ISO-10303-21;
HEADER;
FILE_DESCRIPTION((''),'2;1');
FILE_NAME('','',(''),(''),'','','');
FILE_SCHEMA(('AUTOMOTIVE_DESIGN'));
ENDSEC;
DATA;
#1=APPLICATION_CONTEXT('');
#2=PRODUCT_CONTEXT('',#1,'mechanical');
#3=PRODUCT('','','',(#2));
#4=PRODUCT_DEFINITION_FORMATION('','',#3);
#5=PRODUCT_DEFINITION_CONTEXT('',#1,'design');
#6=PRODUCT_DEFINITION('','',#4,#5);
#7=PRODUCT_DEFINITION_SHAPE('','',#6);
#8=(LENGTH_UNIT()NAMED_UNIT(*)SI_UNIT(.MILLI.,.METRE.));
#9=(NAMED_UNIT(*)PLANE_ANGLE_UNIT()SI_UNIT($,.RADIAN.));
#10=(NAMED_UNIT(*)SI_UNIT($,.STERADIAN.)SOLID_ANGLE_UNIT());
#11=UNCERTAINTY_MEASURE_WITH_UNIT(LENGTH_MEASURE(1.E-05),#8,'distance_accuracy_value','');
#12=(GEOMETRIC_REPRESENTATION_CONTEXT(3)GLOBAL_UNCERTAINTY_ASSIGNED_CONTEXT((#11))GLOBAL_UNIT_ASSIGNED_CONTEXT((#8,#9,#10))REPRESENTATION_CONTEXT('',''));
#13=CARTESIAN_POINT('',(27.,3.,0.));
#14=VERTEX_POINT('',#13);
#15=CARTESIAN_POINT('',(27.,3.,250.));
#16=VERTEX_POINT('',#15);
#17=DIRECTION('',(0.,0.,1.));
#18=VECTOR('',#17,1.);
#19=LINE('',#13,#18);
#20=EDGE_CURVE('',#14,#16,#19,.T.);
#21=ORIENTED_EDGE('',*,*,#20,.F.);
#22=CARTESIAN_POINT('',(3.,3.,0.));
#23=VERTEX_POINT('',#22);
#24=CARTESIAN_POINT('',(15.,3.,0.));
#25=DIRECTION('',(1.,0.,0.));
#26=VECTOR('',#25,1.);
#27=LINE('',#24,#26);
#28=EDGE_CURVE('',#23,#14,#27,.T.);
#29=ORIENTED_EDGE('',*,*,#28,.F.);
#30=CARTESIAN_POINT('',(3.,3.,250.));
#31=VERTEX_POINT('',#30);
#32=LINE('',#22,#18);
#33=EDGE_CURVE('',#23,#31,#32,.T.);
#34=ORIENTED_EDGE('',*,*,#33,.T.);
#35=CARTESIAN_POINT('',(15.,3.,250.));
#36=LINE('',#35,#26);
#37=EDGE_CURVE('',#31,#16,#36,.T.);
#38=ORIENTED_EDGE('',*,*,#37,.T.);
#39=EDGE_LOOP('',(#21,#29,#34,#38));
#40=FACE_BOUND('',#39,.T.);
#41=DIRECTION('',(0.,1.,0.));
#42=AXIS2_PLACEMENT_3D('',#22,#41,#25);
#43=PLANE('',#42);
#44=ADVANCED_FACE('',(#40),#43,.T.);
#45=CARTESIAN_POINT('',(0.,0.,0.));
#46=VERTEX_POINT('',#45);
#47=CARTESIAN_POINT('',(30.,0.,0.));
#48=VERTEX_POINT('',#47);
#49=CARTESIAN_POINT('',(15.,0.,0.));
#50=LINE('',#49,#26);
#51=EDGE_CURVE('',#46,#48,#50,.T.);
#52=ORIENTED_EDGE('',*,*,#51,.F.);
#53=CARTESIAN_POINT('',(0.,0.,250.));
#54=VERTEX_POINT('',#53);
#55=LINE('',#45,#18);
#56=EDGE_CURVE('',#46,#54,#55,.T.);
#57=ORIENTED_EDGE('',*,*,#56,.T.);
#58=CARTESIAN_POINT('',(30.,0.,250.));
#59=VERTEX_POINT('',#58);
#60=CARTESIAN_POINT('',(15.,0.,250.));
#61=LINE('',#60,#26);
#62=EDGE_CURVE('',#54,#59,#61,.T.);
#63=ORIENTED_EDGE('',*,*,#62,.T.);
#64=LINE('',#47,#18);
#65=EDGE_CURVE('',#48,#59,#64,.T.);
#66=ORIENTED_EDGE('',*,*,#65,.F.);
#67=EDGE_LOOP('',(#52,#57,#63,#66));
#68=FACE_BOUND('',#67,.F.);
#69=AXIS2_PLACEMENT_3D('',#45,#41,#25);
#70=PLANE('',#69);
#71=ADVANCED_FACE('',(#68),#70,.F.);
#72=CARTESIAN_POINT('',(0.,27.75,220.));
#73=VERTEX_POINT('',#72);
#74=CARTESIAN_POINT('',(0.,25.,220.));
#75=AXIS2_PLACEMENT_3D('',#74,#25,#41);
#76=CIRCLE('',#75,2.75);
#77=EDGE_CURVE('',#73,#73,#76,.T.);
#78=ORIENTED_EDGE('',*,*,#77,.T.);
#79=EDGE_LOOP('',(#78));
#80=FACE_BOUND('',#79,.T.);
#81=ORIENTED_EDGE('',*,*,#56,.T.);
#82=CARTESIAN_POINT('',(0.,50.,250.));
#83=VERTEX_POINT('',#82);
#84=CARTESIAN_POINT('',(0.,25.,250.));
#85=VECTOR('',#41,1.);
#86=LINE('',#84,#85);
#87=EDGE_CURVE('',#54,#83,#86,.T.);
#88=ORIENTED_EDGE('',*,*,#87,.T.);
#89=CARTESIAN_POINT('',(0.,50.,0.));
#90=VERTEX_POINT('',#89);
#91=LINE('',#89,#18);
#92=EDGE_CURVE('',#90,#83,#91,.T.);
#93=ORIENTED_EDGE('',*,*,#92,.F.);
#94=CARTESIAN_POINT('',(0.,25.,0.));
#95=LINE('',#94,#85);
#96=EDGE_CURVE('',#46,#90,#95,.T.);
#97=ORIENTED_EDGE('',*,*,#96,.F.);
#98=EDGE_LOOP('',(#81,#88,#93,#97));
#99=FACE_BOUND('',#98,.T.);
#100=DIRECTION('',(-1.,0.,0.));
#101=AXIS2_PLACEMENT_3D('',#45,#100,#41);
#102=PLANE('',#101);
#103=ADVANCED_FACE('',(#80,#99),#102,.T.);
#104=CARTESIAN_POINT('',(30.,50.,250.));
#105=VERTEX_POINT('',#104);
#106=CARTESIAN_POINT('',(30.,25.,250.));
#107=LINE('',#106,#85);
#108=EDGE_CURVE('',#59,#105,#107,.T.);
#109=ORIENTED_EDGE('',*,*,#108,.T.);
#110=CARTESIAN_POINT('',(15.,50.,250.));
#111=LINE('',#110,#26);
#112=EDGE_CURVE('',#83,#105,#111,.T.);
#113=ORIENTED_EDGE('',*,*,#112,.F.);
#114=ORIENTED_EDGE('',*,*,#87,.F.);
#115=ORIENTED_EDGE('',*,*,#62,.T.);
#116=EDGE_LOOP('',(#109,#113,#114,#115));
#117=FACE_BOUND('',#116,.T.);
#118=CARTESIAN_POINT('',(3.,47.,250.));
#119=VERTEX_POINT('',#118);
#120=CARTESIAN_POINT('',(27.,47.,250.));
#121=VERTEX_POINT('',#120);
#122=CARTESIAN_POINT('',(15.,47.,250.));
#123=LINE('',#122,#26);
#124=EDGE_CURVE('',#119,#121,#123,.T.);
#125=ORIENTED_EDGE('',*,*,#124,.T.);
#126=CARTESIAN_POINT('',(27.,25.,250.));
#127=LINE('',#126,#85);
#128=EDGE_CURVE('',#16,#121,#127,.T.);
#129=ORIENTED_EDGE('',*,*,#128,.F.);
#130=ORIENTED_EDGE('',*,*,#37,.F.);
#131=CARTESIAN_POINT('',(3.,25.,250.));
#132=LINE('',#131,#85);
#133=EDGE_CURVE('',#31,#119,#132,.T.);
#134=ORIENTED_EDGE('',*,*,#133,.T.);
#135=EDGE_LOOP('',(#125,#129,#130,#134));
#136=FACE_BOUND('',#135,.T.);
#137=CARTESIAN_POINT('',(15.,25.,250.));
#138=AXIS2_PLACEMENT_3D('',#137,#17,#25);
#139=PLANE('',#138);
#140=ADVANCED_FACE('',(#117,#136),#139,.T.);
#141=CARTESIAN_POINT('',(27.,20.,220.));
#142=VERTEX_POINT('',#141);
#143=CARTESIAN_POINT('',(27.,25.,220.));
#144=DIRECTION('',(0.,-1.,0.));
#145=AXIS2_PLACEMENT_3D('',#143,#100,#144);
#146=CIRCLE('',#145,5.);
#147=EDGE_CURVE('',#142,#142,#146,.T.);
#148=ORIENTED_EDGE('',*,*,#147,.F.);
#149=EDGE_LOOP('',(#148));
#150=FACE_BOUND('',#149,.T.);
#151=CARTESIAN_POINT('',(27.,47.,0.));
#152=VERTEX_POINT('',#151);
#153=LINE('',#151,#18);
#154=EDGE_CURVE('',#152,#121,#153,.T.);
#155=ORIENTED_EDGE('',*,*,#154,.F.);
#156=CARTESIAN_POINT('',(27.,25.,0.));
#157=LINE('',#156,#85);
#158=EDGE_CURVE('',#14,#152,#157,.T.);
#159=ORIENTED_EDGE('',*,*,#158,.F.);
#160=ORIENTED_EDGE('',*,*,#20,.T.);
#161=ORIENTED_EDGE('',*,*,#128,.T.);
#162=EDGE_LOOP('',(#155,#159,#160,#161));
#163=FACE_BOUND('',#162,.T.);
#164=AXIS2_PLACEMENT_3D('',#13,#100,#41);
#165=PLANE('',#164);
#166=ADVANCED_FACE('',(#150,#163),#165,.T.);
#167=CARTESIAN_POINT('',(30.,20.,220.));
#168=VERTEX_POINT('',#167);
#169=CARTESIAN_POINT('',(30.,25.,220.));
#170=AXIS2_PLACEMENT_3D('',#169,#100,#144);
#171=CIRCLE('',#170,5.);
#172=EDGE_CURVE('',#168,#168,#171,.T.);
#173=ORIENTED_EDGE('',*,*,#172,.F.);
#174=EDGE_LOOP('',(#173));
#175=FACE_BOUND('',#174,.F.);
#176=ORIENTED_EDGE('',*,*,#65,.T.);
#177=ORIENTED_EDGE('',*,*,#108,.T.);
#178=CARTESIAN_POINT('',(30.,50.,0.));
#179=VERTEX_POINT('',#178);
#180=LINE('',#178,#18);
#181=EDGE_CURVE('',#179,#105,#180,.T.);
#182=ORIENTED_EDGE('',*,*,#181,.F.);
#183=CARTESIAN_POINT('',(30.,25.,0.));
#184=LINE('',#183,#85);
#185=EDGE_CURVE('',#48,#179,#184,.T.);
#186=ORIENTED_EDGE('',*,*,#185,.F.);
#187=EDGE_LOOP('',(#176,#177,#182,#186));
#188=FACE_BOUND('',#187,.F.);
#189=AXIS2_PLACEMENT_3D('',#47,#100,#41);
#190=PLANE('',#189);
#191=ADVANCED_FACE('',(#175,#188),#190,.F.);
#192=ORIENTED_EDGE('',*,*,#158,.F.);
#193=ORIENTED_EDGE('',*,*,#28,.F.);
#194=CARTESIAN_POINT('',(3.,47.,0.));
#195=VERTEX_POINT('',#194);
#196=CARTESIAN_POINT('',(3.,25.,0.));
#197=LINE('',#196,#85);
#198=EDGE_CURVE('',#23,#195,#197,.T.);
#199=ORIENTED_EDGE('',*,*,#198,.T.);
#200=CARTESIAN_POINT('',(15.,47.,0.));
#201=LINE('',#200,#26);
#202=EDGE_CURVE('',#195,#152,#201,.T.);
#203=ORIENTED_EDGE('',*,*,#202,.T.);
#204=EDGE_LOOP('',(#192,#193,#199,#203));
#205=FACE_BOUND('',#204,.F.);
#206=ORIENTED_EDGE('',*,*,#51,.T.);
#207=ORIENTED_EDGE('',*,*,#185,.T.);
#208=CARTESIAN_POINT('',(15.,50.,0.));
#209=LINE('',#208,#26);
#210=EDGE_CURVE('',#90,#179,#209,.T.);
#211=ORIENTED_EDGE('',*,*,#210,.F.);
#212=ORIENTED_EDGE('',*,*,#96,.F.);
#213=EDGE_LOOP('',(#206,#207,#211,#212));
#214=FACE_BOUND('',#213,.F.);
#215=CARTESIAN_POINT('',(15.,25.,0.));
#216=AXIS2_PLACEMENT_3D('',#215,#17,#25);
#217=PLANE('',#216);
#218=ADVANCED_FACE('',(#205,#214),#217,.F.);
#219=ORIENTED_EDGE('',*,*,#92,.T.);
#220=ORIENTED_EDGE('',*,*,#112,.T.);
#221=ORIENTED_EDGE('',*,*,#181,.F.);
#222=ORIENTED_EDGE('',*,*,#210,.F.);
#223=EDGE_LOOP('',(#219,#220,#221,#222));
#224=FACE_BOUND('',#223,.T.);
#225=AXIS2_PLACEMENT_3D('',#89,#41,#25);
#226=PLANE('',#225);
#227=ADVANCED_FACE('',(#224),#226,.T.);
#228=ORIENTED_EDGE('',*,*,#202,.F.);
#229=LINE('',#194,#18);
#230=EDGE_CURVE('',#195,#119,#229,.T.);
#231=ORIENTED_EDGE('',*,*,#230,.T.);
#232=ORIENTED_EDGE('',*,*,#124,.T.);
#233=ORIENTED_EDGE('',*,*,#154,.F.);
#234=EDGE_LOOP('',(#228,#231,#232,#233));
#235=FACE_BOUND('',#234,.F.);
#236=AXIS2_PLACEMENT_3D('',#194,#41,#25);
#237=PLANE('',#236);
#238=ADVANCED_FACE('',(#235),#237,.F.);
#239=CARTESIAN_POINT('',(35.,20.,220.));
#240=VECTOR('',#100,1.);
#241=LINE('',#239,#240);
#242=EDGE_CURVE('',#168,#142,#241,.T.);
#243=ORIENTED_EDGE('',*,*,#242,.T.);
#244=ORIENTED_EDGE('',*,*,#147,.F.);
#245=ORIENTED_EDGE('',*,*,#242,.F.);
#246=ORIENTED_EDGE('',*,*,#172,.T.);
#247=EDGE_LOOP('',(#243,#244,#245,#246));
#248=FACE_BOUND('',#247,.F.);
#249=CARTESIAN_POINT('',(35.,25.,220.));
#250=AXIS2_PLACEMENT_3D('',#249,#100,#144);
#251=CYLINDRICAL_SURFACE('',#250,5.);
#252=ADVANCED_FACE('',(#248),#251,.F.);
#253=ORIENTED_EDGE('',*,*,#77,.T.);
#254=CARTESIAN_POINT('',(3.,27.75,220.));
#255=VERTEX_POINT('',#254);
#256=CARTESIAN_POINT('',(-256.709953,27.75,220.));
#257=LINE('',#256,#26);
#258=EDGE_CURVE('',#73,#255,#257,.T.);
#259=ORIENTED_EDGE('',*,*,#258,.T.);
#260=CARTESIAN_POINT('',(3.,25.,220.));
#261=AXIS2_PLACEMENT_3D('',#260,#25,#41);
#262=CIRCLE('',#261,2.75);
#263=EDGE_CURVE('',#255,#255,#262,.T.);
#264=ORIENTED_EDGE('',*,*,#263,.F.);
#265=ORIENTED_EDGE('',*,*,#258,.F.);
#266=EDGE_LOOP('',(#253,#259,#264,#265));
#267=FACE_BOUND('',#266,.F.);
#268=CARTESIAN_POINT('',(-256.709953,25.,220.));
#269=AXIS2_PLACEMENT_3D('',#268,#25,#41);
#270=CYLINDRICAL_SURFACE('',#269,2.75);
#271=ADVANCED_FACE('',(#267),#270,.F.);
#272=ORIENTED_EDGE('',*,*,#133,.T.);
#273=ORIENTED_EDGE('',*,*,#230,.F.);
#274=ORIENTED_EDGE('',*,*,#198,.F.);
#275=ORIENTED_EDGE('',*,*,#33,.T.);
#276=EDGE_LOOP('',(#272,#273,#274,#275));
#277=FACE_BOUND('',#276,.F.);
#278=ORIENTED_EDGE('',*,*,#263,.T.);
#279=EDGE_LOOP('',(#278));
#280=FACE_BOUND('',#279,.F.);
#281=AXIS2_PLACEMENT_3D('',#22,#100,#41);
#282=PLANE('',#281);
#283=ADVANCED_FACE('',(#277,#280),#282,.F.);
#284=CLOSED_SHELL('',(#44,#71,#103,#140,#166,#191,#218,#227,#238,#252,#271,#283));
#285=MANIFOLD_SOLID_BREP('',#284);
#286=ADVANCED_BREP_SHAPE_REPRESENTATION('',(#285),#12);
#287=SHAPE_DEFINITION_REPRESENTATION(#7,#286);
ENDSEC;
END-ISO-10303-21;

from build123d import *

# Parameters (mm, degrees)
F0_W     = 30
F0_H     = 50
F0_W_2   = 24
F0_H_2   = 44
F1_DEPTH = 250
F3_D     = 5.5
F5_D     = 10
F5_DEPTH = 5


with BuildPart() as f1:
    # F0 (on Top) → F1 (new body)
    with BuildSketch(Plane.XY):
        with Locations((15, 25)):
            Rectangle(F0_W, F0_H)
        with Locations((15, 25)):
            Rectangle(F0_W_2, F0_H_2, mode=Mode.SUBTRACT)
    extrude(amount=F1_DEPTH)

    # F3 (through all)
    with Locations(Plane(origin=(0, 0, 0), x_dir=(0, -1, 0), z_dir=(-1, 0, 0))):
        with Locations((-25, 220)):
            Hole(F3_D / 2)

    # F5
    with Locations(Plane.YZ.offset(30)):
        with Locations((25, 220)):
            Hole(F5_D / 2, depth=F5_DEPTH)


solid = f1.part
